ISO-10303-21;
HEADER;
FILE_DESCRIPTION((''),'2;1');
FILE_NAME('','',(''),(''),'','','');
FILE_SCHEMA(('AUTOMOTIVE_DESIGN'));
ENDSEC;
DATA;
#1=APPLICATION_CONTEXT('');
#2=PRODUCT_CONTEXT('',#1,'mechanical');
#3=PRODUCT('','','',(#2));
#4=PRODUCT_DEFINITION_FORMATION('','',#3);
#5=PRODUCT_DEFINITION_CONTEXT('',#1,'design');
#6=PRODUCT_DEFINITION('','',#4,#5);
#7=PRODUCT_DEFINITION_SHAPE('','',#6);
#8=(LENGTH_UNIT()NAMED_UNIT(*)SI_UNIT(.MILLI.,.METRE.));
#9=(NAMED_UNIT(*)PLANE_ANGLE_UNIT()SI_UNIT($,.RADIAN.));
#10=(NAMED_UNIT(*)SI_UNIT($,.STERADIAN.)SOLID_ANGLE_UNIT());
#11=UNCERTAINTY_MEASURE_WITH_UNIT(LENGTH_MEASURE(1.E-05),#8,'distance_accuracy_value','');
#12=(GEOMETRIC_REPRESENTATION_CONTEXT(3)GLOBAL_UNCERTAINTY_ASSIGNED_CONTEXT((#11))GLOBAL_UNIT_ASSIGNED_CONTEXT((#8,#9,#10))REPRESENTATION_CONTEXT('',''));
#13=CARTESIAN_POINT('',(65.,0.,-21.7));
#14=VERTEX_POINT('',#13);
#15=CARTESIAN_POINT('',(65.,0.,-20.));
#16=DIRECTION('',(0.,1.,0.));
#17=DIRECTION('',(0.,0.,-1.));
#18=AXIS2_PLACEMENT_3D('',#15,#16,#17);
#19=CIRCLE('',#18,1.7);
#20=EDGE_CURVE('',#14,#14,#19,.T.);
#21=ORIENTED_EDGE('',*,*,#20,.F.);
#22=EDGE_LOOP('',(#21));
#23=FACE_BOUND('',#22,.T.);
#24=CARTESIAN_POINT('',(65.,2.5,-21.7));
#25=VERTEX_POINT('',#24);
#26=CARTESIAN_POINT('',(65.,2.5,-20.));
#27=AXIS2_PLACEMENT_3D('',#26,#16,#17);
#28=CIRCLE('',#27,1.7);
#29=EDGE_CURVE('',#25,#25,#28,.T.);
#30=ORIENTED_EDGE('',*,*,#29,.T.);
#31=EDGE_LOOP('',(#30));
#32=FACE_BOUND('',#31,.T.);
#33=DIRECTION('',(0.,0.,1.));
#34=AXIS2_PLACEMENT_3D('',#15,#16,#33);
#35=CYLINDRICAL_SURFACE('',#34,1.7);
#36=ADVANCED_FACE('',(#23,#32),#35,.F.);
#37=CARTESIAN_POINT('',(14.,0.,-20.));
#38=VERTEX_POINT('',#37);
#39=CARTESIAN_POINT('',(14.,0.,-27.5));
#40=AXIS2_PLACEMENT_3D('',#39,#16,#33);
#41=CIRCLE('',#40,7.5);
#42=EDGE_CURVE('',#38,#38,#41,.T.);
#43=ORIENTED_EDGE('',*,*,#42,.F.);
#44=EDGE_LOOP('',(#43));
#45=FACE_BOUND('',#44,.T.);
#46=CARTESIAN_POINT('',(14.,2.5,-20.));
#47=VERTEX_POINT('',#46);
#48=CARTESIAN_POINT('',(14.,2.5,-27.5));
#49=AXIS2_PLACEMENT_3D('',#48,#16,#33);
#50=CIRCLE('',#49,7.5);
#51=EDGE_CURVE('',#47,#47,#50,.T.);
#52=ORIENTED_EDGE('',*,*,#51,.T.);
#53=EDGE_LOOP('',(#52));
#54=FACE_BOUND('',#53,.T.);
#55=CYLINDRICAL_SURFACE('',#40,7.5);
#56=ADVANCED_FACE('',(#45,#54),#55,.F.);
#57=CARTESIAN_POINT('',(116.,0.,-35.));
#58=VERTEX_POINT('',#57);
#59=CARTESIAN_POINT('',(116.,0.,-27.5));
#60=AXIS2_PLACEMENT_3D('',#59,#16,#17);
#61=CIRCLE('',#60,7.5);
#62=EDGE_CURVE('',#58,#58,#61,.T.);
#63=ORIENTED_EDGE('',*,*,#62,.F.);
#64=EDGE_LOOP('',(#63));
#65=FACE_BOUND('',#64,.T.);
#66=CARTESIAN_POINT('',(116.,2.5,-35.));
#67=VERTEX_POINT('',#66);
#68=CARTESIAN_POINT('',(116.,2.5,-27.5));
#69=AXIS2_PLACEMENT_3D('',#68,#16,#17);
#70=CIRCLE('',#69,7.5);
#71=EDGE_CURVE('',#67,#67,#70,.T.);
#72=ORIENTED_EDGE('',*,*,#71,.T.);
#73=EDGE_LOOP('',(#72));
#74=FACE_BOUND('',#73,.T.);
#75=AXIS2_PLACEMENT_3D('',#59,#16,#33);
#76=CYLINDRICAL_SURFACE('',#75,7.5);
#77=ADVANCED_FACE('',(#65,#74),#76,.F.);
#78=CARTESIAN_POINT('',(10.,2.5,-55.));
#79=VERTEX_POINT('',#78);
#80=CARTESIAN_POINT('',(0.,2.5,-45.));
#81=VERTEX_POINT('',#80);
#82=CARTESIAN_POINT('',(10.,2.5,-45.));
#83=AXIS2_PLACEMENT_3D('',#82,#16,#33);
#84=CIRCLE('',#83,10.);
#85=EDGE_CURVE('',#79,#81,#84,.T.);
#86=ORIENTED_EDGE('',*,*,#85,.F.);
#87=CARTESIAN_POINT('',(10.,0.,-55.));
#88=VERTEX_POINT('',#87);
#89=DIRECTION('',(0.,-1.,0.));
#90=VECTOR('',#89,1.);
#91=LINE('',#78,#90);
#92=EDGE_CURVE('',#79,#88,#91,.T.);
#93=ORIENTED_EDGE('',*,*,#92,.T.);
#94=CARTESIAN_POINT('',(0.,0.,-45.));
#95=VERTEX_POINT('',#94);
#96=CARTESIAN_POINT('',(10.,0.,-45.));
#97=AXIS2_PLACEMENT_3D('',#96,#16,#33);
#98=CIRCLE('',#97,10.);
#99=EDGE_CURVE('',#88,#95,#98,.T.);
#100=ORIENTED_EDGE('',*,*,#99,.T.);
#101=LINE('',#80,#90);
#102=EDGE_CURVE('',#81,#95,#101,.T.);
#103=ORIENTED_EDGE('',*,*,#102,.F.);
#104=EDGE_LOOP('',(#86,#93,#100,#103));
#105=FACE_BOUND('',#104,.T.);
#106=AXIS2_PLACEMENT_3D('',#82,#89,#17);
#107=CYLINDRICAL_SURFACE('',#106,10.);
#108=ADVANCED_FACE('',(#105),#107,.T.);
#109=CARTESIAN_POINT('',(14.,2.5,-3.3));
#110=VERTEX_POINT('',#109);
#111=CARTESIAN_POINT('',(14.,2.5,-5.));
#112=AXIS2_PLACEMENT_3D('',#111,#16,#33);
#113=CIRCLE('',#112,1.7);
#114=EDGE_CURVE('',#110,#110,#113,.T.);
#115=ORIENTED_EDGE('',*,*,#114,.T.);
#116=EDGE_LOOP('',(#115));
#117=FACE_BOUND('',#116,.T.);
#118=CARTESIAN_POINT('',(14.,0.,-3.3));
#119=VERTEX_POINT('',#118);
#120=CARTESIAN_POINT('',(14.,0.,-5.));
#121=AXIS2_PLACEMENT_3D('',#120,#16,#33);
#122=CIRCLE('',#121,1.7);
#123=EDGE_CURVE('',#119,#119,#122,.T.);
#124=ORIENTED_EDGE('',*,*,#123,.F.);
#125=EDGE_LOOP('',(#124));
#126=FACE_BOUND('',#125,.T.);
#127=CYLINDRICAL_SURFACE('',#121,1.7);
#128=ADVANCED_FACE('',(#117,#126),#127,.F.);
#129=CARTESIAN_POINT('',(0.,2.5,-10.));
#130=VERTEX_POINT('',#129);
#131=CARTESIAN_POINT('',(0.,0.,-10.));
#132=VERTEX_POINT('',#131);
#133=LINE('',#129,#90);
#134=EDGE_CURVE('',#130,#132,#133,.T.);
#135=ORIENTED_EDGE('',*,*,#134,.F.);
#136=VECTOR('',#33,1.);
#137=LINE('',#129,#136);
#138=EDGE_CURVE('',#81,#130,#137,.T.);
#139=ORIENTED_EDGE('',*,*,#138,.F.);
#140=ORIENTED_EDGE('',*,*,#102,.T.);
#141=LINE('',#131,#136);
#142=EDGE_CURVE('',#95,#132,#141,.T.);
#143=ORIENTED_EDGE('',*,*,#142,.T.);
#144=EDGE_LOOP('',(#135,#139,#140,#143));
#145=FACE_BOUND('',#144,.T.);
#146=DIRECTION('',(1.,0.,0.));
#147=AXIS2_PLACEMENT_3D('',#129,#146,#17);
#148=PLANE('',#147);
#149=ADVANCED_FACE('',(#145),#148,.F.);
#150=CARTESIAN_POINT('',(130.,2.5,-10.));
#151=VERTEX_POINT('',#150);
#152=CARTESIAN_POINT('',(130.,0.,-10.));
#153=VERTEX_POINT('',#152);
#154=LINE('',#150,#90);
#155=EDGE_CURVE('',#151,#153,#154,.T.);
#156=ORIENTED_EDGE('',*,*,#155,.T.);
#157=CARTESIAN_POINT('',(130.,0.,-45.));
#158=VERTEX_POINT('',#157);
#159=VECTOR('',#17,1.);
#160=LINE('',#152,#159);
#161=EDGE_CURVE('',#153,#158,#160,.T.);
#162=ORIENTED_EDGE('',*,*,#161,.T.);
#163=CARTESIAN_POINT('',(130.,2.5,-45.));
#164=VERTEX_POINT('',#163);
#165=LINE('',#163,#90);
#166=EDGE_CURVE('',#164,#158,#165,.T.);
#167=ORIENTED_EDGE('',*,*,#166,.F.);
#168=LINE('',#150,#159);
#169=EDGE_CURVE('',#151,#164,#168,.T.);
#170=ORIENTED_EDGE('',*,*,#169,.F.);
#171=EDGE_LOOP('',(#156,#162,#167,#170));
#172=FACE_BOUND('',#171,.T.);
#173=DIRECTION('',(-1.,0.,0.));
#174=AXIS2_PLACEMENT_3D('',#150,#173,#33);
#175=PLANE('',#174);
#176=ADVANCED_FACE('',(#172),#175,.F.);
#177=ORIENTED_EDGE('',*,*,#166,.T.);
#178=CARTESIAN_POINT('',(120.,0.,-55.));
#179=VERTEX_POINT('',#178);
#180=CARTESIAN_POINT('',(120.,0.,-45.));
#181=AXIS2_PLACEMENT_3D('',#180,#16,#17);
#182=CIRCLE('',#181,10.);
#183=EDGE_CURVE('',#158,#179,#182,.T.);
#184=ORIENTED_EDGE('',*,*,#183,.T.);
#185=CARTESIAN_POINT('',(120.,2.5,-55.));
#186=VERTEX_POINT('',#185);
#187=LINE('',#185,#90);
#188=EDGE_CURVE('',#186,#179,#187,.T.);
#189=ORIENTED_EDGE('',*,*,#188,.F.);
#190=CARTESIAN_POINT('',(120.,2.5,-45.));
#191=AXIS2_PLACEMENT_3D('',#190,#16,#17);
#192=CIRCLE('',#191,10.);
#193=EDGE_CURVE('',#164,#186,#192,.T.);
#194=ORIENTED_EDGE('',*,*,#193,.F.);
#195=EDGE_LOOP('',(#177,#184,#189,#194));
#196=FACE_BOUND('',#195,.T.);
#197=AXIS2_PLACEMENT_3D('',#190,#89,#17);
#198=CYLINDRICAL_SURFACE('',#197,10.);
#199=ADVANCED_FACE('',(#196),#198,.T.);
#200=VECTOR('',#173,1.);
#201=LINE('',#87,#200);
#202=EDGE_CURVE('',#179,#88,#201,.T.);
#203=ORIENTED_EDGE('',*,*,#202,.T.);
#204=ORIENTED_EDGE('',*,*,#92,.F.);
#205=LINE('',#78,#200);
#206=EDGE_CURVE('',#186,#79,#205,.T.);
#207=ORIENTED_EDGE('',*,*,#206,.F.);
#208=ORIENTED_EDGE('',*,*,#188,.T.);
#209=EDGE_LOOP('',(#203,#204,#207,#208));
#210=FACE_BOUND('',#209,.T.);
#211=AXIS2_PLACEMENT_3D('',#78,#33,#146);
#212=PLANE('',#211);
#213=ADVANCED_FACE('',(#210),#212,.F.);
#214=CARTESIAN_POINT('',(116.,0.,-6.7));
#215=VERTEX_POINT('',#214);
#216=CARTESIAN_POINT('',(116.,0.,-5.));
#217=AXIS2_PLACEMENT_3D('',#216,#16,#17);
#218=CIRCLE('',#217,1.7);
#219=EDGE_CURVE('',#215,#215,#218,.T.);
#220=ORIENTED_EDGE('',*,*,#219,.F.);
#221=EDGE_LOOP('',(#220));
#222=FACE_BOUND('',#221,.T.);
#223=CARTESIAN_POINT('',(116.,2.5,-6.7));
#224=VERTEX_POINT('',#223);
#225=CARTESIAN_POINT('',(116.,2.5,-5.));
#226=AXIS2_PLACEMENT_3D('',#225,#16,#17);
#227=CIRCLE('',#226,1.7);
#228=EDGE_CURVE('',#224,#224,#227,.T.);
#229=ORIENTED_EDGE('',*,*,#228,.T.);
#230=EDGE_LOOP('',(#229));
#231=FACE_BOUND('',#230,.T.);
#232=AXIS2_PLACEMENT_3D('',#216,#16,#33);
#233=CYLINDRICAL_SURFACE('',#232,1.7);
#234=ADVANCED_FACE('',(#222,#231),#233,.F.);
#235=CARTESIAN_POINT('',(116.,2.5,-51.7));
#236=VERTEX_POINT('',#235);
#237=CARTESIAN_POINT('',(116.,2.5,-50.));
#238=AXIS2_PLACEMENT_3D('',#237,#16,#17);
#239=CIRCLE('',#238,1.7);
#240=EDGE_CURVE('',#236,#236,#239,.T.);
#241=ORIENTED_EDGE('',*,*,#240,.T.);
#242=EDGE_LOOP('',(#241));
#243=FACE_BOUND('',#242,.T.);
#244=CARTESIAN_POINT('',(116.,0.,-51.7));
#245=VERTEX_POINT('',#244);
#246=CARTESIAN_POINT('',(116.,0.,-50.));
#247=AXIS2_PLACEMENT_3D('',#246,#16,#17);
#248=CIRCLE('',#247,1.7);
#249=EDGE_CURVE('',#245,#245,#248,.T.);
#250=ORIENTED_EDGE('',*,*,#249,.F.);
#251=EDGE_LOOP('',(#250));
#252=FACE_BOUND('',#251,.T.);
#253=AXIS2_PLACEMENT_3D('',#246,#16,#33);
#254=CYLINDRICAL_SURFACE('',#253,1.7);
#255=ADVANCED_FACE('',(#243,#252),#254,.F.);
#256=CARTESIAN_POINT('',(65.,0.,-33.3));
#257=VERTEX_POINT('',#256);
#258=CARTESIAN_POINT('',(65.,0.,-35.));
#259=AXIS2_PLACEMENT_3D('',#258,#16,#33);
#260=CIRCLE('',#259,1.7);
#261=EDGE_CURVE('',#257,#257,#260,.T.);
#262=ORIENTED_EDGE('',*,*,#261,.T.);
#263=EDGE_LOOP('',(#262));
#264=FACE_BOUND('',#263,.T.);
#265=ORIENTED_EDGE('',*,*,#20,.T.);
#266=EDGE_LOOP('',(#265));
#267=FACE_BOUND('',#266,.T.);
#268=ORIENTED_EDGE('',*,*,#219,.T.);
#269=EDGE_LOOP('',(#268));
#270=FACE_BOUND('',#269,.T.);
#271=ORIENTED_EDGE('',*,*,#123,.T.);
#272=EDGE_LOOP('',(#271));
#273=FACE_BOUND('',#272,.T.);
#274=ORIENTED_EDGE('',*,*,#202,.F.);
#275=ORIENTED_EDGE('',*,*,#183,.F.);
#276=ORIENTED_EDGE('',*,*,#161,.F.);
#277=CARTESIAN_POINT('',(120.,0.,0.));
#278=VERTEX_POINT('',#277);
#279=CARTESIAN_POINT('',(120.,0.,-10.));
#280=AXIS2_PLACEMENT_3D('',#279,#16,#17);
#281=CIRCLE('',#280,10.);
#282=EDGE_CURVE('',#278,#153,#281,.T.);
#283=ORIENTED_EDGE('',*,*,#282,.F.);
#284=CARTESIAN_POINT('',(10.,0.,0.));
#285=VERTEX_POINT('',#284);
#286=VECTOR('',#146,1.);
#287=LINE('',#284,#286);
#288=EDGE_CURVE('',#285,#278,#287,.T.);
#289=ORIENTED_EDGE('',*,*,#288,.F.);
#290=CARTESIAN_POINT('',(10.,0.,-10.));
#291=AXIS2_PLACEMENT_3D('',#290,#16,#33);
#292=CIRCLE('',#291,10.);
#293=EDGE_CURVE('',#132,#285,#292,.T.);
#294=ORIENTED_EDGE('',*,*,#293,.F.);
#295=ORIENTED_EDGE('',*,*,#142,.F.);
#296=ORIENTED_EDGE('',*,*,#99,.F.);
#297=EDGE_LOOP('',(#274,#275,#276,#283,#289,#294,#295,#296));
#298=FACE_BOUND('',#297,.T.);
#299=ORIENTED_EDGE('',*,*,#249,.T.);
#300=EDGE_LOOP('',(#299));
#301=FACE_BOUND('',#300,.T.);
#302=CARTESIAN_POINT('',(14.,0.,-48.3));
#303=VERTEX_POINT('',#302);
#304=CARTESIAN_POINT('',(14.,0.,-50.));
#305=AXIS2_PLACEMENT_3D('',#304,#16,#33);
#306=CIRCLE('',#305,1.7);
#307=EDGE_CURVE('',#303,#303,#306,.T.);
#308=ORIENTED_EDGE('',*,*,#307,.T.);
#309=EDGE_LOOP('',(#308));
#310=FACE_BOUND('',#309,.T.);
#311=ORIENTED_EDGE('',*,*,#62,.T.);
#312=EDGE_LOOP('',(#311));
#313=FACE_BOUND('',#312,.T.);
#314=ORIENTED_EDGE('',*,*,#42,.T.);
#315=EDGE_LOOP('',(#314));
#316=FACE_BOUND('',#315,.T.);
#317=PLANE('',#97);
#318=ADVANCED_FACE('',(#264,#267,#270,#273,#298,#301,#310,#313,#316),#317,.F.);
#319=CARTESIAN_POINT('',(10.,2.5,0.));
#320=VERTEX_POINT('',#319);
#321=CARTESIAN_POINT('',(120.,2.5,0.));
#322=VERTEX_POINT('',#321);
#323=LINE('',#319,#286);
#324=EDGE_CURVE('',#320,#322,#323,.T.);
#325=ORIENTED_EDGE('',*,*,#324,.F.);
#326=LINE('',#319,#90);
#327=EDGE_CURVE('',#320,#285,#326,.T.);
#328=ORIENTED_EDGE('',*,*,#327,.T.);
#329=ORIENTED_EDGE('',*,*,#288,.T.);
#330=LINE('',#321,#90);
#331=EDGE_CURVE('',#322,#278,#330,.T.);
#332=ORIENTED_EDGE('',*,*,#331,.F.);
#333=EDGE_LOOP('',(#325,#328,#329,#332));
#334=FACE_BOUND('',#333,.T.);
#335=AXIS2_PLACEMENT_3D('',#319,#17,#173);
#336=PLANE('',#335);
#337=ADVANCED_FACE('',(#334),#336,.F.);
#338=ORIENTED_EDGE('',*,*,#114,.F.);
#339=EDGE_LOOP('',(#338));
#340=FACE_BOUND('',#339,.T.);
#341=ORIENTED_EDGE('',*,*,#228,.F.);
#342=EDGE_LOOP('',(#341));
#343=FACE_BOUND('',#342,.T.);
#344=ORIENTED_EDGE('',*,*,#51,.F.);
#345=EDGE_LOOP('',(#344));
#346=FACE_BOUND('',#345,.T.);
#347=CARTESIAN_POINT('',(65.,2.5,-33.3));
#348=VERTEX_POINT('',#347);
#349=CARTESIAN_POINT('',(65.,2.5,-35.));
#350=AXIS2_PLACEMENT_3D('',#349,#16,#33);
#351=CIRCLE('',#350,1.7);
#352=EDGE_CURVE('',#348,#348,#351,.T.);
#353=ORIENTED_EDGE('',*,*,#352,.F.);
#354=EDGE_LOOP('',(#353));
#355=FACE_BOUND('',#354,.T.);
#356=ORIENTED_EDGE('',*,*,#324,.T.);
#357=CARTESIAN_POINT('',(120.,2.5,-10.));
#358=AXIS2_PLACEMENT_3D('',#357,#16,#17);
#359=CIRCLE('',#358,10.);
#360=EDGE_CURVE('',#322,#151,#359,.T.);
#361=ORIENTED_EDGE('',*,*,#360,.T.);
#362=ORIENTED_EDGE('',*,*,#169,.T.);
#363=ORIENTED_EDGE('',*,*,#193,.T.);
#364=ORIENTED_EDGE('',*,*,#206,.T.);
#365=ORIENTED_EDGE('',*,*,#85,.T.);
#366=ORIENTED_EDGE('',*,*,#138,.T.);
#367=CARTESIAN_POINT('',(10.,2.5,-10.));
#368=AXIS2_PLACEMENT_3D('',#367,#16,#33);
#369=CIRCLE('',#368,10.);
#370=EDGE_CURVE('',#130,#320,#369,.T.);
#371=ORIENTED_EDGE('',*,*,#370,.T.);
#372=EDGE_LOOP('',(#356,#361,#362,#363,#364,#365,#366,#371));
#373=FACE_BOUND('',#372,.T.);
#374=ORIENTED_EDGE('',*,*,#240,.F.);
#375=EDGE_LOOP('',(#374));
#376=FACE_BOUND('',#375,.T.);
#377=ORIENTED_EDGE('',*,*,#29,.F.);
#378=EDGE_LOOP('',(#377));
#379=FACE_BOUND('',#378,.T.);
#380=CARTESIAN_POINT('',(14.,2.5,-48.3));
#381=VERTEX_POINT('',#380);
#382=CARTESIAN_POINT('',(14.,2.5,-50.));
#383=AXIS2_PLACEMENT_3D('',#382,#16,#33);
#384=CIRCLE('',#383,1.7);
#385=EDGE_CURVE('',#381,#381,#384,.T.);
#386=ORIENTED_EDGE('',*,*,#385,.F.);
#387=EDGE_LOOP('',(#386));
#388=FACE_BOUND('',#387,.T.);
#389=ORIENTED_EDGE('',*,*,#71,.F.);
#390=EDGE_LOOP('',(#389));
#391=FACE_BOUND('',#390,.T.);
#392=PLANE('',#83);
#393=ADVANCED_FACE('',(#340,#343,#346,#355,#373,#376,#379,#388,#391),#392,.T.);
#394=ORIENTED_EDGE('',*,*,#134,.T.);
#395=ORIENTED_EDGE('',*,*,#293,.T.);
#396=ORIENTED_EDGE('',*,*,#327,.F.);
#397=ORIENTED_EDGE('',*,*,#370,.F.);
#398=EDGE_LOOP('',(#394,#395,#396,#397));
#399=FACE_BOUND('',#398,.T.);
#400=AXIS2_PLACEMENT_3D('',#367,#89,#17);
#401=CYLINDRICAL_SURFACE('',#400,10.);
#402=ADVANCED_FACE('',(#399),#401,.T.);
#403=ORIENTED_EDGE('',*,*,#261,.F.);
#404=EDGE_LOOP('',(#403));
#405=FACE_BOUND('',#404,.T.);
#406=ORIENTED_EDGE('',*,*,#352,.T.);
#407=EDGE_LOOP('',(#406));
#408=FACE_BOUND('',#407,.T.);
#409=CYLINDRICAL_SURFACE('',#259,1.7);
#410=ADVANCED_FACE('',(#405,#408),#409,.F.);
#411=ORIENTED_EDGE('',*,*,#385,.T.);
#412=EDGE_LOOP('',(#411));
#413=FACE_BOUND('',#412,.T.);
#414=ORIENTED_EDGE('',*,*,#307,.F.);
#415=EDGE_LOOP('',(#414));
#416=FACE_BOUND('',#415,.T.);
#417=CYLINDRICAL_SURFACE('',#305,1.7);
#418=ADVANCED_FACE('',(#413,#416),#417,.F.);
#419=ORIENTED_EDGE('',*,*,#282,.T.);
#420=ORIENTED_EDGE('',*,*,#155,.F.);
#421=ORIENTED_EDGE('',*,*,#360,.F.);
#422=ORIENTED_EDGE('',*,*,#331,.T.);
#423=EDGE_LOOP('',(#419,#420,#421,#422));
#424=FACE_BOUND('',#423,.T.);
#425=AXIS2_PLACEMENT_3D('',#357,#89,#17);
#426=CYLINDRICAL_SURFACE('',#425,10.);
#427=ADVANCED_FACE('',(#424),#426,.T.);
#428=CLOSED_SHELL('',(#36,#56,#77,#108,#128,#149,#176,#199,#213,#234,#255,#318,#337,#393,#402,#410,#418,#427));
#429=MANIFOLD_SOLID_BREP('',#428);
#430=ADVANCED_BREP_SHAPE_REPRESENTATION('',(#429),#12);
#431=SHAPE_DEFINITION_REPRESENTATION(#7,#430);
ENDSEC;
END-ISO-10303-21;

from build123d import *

# Parameters (mm, degrees)
BOSS_EXTRUDE1_DEPTH = 2.5
SKETCH2_R           = 1.7
SKETCH2_R_2         = 7.5
CUT_EXTRUDE1_DEPTH  = 142.178079035


with BuildPart() as part:
    # Sketch1 → Boss-Extrude1 (new body)
    with BuildSketch(Plane(origin=(0, 0, 0), x_dir=(1, 0, 0), z_dir=(0, 1, 0))):
        with BuildLine():
            Line((10, 0), (120, 0))
            ThreePointArc((120, 0), (127.071067812, 2.928932188), (130, 10))
            Line((130, 10), (130, 45))
            ThreePointArc((130, 45), (127.071067812, 52.071067812), (120, 55))
            Line((120, 55), (10, 55))
            ThreePointArc((10, 55), (2.928932188, 52.071067812), (0, 45))
            Line((0, 45), (0, 10))
            ThreePointArc((0, 10), (2.928932188, 2.928932188), (10, 0))
        make_face()
    extrude(amount=BOSS_EXTRUDE1_DEPTH)

    # Sketch2 → Cut-Extrude1 (cut, through all)
    with BuildSketch(Plane(origin=(0, 2.5, 0), x_dir=(1, 0, 0), z_dir=(0, 1, 0))):
        with Locations(Location((14, 5, 0), (0, 0, 270))):
            Circle(SKETCH2_R)
        with Locations(Location((14, 50, 0), (0, 0, 270))):
            Circle(SKETCH2_R)
        with Locations(Location((116, 5, 0), (0, 0, 90))):
            Circle(SKETCH2_R)
        with Locations(Location((116, 50, 0), (0, 0, 90))):
            Circle(SKETCH2_R)
        with Locations(Location((14, 27.5, 0), (0, 0, 270))):
            Circle(SKETCH2_R_2)
        with Locations(Location((116, 27.5, 0), (0, 0, 90))):
            Circle(SKETCH2_R_2)
        with Locations(Location((65, 35, 0), (0, 0, 270))):
            Circle(SKETCH2_R)
        with Locations(Location((65, 20, 0), (0, 0, 90))):
            Circle(SKETCH2_R)
    extrude(amount=-CUT_EXTRUDE1_DEPTH, mode=Mode.SUBTRACT)


solid = part.part
